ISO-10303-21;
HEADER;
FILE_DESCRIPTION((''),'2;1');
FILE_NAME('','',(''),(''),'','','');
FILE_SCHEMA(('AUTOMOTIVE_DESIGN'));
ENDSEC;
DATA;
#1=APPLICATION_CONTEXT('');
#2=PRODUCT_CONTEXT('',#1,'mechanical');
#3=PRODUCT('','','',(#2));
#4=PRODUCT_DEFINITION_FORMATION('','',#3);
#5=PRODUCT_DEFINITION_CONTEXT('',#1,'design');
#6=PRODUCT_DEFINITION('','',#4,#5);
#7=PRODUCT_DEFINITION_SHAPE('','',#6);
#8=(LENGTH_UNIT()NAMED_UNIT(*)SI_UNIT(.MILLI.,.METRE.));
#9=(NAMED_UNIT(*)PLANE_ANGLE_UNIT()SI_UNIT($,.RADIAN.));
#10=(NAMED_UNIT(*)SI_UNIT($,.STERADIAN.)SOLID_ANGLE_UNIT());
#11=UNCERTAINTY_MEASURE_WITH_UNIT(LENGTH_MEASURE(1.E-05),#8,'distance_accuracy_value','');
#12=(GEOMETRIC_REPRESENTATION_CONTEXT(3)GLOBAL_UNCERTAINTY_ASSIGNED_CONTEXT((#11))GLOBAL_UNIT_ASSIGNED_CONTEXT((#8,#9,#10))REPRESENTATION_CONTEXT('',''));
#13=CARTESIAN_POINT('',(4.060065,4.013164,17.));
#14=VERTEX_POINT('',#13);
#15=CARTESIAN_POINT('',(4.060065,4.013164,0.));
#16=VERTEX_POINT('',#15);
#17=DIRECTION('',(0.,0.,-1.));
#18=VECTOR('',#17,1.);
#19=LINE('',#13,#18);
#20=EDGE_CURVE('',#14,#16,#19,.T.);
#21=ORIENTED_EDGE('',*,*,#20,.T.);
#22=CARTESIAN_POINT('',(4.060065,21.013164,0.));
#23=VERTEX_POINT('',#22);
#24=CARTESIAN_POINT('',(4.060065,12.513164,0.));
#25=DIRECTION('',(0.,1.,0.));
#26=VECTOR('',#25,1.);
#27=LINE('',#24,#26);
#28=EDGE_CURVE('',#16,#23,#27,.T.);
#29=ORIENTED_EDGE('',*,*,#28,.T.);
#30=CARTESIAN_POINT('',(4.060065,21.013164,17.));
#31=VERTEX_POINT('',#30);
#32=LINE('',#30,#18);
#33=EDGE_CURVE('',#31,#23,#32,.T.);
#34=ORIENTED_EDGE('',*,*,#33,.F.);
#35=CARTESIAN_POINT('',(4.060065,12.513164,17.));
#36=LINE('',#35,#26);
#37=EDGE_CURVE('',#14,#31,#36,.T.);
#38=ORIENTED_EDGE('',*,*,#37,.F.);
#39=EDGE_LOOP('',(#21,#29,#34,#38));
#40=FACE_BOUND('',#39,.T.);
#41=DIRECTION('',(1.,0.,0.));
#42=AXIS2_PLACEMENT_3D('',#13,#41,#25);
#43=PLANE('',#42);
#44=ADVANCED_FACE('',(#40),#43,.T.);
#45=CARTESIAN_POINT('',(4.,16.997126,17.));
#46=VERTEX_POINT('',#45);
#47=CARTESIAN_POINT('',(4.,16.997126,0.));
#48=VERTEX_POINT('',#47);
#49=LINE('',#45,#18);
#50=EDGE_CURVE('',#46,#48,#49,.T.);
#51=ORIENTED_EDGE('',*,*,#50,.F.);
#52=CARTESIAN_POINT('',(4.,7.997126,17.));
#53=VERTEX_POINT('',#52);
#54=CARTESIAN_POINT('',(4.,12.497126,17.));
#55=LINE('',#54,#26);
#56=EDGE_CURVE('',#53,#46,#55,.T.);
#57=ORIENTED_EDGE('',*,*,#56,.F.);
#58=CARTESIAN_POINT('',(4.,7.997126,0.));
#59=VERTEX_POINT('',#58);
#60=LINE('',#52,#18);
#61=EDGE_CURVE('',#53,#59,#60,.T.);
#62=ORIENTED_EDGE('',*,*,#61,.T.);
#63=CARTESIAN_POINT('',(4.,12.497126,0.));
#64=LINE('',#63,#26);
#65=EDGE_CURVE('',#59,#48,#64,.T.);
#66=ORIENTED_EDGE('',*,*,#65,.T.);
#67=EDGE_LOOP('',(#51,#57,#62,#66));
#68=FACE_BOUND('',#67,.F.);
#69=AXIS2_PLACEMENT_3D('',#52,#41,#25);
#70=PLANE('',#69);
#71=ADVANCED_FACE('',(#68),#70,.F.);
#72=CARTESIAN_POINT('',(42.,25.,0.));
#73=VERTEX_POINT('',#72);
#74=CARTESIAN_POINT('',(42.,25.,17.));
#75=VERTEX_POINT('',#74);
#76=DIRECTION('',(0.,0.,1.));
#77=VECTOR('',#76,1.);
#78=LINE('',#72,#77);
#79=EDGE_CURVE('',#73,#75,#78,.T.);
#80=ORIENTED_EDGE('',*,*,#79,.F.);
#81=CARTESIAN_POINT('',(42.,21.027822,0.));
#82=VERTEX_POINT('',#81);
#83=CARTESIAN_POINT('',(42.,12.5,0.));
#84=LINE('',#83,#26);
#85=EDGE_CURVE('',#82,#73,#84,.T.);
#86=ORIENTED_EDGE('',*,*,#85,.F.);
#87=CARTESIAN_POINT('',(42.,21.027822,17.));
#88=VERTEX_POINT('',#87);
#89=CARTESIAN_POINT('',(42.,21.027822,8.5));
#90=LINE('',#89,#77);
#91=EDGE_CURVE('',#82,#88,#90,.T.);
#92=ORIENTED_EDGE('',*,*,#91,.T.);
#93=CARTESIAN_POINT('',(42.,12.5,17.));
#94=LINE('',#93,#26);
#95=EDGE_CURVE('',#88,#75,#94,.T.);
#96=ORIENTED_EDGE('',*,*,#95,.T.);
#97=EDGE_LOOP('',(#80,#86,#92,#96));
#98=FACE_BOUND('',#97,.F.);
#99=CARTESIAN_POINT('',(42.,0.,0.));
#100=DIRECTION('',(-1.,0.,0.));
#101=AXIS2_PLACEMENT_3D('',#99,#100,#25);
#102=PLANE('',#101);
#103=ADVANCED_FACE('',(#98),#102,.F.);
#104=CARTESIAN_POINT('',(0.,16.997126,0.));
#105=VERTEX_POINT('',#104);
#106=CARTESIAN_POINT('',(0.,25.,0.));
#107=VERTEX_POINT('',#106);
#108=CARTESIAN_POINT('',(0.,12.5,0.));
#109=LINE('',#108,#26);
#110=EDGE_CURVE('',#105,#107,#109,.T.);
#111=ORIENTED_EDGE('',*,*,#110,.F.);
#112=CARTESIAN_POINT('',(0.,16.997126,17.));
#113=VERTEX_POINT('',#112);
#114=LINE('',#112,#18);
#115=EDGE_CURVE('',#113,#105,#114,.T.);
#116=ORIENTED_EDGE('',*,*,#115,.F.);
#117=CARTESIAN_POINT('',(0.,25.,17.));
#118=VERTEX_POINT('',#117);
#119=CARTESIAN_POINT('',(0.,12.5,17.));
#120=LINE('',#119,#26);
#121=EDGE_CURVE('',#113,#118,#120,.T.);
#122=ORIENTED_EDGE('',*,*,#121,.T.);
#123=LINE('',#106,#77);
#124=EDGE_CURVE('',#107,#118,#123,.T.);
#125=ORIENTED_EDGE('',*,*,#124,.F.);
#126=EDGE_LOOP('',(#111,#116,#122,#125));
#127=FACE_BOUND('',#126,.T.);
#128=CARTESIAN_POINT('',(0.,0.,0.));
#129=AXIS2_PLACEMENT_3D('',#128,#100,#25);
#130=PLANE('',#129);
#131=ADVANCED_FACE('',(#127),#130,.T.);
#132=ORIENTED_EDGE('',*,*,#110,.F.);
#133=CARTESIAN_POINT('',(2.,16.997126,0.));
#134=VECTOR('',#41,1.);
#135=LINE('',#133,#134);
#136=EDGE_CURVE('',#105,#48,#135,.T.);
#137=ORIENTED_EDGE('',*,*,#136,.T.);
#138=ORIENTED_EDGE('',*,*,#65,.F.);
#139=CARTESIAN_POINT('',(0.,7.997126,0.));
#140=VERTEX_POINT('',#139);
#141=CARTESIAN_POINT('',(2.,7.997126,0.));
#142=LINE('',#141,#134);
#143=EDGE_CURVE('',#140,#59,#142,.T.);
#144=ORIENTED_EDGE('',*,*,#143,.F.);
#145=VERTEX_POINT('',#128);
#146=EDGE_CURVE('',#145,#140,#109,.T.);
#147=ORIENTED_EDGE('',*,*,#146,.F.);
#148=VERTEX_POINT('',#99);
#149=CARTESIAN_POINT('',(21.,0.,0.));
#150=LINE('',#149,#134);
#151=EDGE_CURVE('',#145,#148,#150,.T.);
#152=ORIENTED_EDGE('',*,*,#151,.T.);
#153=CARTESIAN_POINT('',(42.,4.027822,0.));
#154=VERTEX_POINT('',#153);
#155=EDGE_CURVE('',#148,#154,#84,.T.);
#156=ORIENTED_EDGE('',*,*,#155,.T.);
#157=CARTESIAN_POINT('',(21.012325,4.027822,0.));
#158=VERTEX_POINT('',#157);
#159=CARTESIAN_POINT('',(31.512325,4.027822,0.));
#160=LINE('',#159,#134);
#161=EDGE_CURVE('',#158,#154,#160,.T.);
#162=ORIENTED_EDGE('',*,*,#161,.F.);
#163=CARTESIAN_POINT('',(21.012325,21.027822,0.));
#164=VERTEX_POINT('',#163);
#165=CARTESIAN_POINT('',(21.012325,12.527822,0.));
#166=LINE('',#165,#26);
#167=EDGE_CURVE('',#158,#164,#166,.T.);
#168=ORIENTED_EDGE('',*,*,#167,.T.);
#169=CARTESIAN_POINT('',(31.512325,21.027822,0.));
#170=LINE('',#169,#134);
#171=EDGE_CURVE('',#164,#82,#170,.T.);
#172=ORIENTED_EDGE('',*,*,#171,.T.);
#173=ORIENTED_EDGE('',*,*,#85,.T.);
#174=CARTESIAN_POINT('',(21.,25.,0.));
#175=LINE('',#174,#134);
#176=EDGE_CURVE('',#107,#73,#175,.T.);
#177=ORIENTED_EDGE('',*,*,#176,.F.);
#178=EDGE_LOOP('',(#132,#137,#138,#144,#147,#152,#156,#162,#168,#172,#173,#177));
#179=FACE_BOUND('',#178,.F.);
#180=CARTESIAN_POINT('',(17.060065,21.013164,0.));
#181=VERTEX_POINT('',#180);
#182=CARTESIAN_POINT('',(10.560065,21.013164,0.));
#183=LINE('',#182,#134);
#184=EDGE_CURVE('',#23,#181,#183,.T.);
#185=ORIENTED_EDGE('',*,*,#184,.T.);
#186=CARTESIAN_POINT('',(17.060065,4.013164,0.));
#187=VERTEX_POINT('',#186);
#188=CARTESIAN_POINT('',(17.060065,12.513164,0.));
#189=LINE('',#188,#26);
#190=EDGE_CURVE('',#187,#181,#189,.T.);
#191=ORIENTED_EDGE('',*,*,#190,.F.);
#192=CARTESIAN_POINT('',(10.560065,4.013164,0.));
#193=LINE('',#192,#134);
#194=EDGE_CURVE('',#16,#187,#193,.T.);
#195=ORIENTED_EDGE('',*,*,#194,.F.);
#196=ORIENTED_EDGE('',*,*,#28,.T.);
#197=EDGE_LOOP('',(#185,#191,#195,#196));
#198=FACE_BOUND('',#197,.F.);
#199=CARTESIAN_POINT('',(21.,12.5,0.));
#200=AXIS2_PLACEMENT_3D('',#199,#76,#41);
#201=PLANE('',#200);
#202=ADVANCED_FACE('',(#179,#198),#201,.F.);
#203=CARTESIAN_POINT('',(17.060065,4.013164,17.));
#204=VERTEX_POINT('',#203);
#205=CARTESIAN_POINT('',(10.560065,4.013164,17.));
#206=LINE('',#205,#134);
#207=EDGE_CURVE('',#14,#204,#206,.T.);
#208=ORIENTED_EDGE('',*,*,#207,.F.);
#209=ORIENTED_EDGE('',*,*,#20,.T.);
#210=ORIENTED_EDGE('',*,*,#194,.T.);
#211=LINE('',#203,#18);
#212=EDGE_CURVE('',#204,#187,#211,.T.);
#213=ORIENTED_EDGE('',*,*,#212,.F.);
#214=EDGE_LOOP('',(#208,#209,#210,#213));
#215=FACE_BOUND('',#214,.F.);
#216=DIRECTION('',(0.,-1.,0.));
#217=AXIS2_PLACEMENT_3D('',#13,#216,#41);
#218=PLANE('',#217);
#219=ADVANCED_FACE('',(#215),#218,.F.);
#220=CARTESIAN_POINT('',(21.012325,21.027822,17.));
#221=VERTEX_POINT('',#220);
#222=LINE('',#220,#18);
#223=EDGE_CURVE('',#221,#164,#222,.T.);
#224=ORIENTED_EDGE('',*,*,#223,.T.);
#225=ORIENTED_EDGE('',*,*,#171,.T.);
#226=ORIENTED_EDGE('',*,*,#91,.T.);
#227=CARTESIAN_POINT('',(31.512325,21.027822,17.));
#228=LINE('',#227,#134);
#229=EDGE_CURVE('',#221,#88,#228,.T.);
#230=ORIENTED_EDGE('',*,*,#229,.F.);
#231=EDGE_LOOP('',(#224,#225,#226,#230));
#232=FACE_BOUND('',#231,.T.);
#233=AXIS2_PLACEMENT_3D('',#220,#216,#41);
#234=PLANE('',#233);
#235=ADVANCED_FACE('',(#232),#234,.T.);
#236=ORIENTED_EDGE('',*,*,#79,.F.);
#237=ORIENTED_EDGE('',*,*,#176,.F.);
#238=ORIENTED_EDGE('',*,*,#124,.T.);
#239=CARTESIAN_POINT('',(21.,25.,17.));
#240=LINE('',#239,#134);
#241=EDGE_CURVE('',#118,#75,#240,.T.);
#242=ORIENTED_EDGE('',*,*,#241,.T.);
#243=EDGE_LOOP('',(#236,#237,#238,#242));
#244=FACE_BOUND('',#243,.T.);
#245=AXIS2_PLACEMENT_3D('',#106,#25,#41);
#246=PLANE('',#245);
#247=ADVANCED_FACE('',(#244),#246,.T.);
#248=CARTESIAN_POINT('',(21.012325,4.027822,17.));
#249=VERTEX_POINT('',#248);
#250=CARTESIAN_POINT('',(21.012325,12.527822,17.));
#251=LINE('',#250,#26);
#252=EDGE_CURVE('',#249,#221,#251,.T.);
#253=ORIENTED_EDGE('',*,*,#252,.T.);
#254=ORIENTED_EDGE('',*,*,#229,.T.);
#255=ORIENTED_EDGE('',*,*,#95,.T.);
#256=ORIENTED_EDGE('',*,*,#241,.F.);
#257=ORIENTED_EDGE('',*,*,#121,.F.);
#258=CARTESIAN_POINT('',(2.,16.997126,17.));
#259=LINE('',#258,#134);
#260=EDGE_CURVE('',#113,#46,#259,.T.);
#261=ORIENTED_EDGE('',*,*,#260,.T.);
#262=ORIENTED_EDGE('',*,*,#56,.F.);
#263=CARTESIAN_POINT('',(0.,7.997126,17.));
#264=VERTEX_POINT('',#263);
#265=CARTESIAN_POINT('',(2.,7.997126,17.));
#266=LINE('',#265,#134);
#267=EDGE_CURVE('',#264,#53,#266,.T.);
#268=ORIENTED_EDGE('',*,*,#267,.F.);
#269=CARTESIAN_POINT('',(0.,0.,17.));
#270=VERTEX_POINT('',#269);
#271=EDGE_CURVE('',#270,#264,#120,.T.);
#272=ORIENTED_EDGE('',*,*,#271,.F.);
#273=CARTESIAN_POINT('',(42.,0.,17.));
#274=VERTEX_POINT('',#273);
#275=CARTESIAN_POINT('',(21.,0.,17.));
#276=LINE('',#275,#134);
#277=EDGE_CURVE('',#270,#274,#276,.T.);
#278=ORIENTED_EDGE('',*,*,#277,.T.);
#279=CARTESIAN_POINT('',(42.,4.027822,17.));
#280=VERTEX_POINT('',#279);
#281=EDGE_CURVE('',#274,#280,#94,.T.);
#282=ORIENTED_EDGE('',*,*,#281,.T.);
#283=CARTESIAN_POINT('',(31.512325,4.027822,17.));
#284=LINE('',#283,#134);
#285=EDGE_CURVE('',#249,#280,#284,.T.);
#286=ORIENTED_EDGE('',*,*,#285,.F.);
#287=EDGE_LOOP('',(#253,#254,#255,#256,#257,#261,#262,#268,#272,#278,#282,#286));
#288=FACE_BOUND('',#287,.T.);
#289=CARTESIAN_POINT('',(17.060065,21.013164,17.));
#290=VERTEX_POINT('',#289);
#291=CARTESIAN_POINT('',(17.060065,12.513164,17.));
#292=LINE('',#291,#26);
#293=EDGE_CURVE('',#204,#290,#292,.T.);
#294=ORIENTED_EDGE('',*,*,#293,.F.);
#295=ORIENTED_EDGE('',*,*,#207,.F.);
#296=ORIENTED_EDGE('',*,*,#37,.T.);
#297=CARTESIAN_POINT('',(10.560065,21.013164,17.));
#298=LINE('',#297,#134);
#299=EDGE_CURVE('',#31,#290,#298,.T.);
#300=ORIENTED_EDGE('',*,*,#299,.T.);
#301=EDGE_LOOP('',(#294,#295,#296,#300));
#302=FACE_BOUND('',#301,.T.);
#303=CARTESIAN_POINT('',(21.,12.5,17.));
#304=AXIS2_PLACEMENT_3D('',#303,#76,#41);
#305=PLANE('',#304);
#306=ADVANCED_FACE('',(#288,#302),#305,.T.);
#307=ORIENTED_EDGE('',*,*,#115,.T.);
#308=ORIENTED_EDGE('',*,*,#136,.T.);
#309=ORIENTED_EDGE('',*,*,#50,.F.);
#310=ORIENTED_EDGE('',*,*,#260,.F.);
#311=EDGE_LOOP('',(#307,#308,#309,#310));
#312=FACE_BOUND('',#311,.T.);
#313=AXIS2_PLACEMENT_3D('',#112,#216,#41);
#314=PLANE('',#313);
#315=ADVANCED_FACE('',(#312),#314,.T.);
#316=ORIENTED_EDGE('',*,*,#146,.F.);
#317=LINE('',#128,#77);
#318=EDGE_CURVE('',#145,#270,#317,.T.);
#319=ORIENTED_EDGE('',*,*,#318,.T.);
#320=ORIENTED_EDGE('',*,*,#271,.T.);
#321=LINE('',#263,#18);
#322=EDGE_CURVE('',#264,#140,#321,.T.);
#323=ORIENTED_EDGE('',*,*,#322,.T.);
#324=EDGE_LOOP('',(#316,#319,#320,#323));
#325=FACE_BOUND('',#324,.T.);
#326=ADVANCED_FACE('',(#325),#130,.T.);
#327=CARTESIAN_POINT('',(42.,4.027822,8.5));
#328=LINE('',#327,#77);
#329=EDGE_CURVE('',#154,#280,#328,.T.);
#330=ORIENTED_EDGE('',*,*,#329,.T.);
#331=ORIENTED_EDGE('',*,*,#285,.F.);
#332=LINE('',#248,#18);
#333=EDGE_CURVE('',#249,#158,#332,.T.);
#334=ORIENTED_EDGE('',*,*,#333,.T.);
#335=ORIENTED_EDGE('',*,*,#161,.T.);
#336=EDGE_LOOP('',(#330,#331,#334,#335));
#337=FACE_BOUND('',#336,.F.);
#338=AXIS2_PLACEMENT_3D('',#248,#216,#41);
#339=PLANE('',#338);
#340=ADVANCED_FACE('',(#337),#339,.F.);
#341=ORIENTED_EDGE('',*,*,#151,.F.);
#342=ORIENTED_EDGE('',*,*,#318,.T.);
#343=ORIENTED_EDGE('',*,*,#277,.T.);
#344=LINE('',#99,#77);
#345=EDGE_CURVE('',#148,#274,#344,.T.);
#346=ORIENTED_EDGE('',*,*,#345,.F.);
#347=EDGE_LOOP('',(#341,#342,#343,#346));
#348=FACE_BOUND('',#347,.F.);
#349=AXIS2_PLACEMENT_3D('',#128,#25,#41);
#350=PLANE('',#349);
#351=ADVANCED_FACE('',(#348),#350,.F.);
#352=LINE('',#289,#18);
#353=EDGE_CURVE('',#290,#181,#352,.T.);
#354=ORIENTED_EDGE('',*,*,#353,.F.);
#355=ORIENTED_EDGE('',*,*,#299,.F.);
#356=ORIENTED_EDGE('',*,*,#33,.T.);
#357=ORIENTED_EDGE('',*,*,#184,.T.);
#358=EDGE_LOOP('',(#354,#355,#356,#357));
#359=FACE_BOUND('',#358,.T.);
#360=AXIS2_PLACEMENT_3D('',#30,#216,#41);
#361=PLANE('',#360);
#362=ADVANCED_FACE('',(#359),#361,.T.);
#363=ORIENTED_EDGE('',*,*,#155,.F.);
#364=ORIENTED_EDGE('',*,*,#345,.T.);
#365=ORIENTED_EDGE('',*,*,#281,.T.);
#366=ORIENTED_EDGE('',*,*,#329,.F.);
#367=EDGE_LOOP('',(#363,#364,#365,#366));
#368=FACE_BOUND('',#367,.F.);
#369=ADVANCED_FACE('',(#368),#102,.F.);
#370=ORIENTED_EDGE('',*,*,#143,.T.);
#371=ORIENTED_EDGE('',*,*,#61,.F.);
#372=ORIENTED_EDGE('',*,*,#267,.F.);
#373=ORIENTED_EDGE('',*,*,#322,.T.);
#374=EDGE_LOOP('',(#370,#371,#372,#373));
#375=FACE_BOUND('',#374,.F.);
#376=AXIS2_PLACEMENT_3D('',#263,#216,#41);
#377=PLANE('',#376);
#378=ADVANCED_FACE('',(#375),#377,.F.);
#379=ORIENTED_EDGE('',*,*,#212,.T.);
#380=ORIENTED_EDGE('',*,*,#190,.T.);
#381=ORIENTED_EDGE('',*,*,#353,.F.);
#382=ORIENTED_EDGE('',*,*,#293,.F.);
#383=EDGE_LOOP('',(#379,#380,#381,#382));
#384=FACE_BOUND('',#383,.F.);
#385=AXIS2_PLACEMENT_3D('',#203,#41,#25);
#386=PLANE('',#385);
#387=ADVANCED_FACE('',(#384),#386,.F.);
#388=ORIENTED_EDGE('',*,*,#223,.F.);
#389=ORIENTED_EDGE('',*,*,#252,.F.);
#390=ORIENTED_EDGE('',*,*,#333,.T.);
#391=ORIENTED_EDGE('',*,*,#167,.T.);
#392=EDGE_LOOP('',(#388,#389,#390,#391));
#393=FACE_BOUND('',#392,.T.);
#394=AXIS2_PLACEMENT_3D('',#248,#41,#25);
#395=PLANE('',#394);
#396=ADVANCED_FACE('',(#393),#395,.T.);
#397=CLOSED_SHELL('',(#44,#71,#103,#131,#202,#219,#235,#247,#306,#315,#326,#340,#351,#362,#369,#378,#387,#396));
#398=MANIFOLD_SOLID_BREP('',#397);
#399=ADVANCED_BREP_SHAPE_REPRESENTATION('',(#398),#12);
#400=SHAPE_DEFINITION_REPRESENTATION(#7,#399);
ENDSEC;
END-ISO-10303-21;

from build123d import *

# Parameters (mm, degrees)
SKETCH_W        = 42
SKETCH_H        = 25
PAD_DEPTH       = 17
SKETCH001_W     = 21
SKETCH001_H     = 17
POCKET_DEPTH    = 17
SKETCH002_W     = 13
SKETCH002_H     = 17
POCKET001_DEPTH = 17
SKETCH003_W     = 4
SKETCH003_H     = 9
POCKET002_DEPTH = 17


with BuildPart() as part:
    # Sketch → Pad (new body)
    with BuildSketch(Plane.XY):
        with Locations((21, 12.5)):
            Rectangle(SKETCH_W, SKETCH_H)
    extrude(amount=PAD_DEPTH)

    # Sketch001 (on Face6 of Pad) → Pocket (cut)
    with BuildSketch(Plane.XY.offset(17)):
        with Locations((31.512325, 12.527822)):
            Rectangle(SKETCH001_W, SKETCH001_H)
    extrude(amount=-POCKET_DEPTH, mode=Mode.SUBTRACT)

    # Sketch002 (on Face5 of Pocket) → Pocket001 (cut)
    with BuildSketch(Plane.XY.offset(17)):
        with Locations((10.560065, 12.513164)):
            Rectangle(SKETCH002_W, SKETCH002_H)
    extrude(amount=-POCKET001_DEPTH, mode=Mode.SUBTRACT)

    # Sketch003 (on Face5 of Pocket001) → Pocket002 (cut)
    with BuildSketch(Plane.XY.offset(17)):
        with Locations((2, 12.497126)):
            Rectangle(SKETCH003_W, SKETCH003_H)
    extrude(amount=-POCKET002_DEPTH, mode=Mode.SUBTRACT)


solid = part.part
